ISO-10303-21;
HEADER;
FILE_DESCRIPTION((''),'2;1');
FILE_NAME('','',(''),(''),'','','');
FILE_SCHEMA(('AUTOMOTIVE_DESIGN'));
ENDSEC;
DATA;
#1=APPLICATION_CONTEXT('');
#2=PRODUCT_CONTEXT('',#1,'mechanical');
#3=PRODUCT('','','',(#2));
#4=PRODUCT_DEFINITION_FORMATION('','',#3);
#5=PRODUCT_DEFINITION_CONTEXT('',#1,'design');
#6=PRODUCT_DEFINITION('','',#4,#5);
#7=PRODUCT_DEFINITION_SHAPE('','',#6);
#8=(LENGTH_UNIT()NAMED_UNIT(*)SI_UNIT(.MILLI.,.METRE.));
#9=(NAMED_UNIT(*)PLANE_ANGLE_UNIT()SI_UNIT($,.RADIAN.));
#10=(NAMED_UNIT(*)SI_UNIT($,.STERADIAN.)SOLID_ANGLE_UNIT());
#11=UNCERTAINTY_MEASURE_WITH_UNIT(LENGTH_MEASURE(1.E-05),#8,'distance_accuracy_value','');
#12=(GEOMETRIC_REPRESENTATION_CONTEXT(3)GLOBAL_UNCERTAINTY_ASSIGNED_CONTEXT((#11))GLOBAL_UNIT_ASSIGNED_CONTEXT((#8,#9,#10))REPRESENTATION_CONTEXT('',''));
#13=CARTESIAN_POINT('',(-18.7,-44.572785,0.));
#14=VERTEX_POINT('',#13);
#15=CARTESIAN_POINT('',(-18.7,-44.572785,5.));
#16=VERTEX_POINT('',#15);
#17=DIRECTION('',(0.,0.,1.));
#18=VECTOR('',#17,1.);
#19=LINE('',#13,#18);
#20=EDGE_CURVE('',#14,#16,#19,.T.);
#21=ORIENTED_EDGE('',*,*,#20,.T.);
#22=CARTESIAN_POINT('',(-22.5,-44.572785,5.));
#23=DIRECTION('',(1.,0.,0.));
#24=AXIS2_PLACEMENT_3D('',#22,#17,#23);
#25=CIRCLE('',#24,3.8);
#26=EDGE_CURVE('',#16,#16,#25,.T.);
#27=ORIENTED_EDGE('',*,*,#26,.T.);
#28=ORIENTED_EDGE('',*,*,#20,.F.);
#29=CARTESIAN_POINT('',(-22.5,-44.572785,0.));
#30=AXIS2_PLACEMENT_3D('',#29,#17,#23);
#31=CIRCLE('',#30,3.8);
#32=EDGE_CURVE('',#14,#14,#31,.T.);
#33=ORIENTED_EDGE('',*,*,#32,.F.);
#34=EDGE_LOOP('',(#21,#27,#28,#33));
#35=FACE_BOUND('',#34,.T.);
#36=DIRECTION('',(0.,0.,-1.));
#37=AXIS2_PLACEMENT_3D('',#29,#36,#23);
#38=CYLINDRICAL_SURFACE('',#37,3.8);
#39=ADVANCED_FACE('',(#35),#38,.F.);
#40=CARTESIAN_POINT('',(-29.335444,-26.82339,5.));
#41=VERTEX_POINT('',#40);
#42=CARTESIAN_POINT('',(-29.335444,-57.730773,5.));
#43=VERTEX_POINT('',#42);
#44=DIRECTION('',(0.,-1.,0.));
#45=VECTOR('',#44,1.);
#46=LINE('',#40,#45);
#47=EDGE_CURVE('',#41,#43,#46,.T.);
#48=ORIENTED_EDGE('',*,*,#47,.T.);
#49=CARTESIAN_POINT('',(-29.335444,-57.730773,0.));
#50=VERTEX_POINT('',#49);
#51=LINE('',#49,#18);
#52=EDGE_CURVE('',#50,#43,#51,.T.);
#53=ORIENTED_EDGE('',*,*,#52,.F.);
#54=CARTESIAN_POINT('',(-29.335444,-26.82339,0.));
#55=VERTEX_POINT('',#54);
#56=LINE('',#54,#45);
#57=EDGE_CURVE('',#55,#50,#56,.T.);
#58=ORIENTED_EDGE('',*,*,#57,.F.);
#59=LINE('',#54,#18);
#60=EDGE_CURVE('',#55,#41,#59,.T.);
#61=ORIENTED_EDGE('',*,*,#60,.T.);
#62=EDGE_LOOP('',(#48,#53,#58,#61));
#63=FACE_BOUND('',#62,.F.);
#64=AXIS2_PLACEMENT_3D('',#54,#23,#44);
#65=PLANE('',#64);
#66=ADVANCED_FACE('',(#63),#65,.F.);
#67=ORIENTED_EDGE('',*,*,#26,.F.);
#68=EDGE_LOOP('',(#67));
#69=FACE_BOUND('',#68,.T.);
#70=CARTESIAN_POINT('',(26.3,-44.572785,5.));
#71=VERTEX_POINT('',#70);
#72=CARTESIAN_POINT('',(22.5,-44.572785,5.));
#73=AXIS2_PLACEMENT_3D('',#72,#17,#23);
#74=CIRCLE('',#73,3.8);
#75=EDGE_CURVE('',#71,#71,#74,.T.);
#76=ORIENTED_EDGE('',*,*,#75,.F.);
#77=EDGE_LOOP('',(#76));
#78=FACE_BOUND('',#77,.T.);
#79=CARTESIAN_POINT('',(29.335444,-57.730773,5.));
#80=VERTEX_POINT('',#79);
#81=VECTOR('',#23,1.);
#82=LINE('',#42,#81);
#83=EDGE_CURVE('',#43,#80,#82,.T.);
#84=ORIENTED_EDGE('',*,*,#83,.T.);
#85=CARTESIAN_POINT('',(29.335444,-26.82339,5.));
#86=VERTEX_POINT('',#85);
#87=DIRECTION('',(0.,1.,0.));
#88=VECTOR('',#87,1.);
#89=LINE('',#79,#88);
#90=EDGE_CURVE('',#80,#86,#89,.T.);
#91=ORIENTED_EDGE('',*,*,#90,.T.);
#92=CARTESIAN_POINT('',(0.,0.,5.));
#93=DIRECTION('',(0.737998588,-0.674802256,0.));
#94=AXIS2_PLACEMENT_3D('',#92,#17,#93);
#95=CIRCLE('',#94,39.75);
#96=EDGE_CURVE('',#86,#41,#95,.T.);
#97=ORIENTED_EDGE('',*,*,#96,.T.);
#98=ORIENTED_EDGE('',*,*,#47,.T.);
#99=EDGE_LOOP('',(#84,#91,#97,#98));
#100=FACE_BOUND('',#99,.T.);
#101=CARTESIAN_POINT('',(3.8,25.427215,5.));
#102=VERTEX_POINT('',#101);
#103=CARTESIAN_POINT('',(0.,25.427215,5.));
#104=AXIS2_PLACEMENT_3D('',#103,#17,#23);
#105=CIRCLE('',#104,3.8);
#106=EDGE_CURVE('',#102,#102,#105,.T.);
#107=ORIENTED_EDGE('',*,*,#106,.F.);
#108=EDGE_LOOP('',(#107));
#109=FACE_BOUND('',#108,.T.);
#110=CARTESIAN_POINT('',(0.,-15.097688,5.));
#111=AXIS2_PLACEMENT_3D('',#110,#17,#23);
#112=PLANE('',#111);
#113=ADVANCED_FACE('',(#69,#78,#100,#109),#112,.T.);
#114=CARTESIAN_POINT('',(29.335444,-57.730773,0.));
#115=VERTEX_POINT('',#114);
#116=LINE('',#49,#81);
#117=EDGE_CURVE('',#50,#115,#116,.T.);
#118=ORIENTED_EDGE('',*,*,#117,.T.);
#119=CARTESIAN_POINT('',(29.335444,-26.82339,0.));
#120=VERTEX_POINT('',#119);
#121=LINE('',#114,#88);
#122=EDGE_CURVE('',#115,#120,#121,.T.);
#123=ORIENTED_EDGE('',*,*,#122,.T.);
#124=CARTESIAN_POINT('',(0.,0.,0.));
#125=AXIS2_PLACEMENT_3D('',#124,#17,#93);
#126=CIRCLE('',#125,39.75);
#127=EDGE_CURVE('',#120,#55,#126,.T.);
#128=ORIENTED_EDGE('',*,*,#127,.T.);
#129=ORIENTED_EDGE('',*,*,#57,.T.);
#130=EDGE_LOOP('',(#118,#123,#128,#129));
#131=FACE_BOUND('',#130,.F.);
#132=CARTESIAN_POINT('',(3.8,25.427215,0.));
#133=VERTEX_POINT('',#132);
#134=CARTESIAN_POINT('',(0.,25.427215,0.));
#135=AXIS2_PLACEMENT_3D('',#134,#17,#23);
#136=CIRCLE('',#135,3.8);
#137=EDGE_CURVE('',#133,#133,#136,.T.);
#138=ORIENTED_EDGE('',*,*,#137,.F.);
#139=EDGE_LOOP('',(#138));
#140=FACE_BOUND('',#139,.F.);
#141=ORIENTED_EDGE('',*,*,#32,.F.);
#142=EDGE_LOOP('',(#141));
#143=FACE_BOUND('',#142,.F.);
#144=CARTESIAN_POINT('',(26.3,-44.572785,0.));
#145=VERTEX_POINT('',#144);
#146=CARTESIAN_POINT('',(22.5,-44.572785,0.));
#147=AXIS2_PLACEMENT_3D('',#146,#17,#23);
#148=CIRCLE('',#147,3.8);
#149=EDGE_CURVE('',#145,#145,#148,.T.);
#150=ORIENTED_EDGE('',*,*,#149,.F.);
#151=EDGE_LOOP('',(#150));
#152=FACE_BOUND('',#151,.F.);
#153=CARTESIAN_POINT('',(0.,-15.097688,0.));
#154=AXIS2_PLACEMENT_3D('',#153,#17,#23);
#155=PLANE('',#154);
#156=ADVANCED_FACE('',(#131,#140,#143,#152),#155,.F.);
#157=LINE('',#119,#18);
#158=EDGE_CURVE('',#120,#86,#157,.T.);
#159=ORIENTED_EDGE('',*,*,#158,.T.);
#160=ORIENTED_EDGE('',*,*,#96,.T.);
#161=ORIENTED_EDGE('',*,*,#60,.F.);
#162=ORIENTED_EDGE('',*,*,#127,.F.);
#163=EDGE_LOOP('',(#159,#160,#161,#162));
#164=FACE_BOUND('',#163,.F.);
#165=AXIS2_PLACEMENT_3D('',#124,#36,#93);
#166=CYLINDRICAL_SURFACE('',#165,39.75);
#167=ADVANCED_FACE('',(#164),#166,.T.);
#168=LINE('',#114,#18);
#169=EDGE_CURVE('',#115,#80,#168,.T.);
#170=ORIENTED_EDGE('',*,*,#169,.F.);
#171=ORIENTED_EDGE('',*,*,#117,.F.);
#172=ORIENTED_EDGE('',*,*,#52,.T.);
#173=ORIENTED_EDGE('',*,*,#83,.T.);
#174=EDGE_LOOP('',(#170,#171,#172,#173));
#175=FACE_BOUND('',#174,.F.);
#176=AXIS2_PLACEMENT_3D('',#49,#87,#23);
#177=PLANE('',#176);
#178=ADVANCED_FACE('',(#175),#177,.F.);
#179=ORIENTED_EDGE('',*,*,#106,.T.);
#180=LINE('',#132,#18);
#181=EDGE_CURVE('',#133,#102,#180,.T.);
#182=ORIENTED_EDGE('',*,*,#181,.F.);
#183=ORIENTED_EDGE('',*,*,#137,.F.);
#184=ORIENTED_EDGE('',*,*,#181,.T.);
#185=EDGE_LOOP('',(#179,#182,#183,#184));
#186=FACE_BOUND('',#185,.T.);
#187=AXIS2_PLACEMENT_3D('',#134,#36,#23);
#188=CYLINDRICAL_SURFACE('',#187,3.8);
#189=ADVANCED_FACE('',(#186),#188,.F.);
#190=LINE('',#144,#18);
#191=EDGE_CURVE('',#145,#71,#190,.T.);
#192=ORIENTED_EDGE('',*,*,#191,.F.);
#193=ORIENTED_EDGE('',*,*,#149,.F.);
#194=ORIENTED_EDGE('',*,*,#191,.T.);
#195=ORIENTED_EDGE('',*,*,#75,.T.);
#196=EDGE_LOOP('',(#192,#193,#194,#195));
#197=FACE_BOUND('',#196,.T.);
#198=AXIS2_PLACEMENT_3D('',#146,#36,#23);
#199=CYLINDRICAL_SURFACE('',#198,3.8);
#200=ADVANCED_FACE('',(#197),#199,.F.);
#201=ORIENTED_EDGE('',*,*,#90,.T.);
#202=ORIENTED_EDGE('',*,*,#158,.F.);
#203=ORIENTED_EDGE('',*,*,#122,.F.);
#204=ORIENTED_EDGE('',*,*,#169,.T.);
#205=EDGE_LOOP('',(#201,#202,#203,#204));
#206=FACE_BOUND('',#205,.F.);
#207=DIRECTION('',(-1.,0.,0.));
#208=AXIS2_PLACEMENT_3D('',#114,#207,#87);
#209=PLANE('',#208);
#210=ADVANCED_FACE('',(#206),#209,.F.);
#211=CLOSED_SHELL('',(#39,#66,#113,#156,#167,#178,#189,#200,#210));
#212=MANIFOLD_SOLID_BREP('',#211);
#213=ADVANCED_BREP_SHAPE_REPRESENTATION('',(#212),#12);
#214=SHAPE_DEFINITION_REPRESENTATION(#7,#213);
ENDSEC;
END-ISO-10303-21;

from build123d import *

# Parameters (mm, degrees)
F0_R     = 3.8
F1_DEPTH = 5


with BuildPart() as f1:
    # F0 (on Top) → F1 (new body)
    with BuildSketch(Plane.XY):
        with BuildLine():
            Line((29.335444, -57.730773), (29.335444, -26.82339))
            ThreePointArc((29.335444, -26.82339), (0, 39.75), (-29.335444, -26.82339))
            Line((-29.335444, -26.82339), (-29.335444, -57.730773))
            Line((-29.335444, -57.730773), (29.335444, -57.730773))
        make_face()
        with Locations((-22.5, -44.572785)):
            Circle(F0_R, mode=Mode.SUBTRACT)
        with Locations((22.5, -44.572785)):
            Circle(F0_R, mode=Mode.SUBTRACT)
        with Locations((0, 25.427215)):
            Circle(F0_R, mode=Mode.SUBTRACT)
    extrude(amount=F1_DEPTH)


solid = f1.part
